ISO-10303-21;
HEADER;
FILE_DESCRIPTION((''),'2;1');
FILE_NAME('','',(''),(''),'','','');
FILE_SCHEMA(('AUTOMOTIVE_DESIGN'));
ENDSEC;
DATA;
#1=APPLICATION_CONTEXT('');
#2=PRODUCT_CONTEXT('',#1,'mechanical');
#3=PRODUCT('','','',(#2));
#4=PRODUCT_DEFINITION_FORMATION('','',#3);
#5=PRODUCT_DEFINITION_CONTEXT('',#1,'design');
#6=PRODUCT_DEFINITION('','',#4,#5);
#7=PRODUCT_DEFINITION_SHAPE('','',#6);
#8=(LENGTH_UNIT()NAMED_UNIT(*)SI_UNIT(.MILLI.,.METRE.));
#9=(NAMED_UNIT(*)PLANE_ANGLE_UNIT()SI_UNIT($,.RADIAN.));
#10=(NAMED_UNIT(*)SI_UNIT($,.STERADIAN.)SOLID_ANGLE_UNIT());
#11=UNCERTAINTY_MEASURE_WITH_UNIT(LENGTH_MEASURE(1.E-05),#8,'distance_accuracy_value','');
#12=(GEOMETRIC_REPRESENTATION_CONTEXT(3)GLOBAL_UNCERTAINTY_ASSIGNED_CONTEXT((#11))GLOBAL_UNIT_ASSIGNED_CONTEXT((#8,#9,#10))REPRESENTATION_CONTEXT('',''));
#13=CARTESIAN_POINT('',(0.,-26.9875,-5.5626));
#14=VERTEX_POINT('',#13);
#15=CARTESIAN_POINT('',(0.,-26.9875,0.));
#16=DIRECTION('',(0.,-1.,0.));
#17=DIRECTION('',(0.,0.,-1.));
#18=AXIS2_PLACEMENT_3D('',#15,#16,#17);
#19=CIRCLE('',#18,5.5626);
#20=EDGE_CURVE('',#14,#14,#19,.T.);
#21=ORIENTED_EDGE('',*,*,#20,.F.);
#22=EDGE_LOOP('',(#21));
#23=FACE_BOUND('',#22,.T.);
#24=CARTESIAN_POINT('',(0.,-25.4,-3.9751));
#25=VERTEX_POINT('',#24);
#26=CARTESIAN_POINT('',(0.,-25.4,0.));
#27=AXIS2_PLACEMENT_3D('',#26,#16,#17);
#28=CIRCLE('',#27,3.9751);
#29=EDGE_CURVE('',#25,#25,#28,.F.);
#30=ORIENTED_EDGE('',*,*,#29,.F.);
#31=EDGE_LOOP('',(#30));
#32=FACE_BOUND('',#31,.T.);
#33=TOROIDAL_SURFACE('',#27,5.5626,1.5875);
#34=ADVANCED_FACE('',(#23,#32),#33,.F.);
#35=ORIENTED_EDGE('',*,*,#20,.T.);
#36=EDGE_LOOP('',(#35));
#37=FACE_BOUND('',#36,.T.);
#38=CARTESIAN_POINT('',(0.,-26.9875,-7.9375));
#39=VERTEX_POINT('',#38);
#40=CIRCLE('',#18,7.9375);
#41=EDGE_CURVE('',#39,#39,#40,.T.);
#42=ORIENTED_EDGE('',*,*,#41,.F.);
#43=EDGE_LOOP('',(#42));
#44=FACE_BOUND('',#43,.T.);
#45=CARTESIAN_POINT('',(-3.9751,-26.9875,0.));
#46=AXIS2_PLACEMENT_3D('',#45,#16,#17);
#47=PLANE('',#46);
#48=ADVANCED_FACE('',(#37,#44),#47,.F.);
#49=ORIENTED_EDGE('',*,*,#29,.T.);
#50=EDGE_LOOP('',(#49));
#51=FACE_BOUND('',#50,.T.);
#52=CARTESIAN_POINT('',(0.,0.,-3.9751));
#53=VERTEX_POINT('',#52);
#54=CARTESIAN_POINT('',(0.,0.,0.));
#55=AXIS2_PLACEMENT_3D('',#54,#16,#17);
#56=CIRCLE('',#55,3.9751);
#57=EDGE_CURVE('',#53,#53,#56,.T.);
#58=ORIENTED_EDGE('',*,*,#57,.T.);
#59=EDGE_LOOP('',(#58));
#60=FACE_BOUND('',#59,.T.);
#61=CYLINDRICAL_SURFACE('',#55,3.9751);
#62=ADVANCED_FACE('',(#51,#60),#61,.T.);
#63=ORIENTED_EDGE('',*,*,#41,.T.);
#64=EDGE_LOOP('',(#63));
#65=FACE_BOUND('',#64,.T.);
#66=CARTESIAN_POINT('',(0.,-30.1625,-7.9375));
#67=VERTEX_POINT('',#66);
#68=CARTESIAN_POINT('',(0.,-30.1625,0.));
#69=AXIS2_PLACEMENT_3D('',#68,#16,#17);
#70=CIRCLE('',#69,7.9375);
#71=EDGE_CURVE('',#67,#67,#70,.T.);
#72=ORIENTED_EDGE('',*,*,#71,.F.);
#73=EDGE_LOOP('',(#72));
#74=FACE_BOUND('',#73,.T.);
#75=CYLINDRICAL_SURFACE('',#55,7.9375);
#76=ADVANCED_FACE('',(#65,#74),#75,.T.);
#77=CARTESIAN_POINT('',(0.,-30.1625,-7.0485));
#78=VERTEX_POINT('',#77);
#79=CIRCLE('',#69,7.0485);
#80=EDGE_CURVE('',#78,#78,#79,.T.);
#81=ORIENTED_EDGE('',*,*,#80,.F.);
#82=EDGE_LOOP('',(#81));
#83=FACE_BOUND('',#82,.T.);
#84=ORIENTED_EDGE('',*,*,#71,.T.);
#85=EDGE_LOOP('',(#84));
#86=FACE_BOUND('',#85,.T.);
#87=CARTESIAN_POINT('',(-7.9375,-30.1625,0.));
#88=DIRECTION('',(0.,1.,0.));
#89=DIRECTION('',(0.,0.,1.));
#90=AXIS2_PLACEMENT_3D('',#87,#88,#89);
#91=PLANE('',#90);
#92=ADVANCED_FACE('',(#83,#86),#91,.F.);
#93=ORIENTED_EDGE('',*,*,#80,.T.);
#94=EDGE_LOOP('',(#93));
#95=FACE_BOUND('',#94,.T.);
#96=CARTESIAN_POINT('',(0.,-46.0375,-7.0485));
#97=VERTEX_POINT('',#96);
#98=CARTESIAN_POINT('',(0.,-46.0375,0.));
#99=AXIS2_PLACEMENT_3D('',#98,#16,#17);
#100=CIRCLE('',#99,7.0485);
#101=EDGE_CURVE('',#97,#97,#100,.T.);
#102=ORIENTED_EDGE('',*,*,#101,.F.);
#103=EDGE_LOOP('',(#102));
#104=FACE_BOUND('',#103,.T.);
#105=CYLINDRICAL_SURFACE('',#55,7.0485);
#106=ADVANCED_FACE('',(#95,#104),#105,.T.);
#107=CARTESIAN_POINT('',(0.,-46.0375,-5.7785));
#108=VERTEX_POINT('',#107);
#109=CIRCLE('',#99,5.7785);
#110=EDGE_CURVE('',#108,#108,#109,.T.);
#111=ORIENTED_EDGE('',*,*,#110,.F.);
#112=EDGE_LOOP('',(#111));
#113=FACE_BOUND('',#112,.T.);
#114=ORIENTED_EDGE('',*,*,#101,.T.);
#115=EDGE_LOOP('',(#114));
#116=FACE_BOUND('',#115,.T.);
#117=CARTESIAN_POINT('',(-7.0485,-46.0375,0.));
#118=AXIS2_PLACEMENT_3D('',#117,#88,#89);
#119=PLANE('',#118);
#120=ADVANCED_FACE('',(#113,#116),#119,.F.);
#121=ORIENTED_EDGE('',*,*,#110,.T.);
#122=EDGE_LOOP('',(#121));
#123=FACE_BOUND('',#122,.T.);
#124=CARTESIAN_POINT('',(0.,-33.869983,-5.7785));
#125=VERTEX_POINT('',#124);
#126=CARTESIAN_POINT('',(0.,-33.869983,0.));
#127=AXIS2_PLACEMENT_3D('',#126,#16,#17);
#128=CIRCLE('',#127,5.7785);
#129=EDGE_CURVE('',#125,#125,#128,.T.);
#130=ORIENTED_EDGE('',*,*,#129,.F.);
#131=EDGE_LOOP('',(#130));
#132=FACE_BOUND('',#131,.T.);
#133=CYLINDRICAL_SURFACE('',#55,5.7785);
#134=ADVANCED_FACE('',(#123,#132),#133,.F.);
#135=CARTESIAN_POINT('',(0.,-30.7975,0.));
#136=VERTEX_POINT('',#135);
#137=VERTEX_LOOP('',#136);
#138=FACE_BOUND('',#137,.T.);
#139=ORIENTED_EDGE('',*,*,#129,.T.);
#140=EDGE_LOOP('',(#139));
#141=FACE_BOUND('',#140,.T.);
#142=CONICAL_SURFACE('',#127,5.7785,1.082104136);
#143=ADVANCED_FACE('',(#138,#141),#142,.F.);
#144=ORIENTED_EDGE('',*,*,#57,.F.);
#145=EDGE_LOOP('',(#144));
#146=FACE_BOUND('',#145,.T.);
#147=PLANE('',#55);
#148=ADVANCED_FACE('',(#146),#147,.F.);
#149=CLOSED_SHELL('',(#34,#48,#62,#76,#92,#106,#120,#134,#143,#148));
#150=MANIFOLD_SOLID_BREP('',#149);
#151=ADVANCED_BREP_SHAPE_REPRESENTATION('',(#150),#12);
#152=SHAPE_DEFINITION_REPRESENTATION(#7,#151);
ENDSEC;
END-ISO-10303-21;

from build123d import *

# Parameters (mm, degrees)
FILLET1_R = 1.5875


with BuildPart() as part:
    # Sketch1 → Revolve1 (revolve)
    with BuildSketch(Plane.XY):
        Polygon((0, 0), (-3.9751, 0), (-3.9751, -26.9875), (-7.9375, -26.9875), (-7.9375, -30.1625), (-7.0485, -30.1625), (-7.0485, -46.0375), (-5.7785, -46.0375), (-5.7785, -33.869982951), (0, -30.7975), align=None)
    revolve(axis=Axis((0, 0, 0), (0, 1, 0)))

    # Fillet1
    fillet1_edges = [part.edges().sort_by_distance(p)[0] for p in [
        (3.9751, -26.9875, 0),
    ]]
    fillet(fillet1_edges, radius=FILLET1_R)


solid = part.part
